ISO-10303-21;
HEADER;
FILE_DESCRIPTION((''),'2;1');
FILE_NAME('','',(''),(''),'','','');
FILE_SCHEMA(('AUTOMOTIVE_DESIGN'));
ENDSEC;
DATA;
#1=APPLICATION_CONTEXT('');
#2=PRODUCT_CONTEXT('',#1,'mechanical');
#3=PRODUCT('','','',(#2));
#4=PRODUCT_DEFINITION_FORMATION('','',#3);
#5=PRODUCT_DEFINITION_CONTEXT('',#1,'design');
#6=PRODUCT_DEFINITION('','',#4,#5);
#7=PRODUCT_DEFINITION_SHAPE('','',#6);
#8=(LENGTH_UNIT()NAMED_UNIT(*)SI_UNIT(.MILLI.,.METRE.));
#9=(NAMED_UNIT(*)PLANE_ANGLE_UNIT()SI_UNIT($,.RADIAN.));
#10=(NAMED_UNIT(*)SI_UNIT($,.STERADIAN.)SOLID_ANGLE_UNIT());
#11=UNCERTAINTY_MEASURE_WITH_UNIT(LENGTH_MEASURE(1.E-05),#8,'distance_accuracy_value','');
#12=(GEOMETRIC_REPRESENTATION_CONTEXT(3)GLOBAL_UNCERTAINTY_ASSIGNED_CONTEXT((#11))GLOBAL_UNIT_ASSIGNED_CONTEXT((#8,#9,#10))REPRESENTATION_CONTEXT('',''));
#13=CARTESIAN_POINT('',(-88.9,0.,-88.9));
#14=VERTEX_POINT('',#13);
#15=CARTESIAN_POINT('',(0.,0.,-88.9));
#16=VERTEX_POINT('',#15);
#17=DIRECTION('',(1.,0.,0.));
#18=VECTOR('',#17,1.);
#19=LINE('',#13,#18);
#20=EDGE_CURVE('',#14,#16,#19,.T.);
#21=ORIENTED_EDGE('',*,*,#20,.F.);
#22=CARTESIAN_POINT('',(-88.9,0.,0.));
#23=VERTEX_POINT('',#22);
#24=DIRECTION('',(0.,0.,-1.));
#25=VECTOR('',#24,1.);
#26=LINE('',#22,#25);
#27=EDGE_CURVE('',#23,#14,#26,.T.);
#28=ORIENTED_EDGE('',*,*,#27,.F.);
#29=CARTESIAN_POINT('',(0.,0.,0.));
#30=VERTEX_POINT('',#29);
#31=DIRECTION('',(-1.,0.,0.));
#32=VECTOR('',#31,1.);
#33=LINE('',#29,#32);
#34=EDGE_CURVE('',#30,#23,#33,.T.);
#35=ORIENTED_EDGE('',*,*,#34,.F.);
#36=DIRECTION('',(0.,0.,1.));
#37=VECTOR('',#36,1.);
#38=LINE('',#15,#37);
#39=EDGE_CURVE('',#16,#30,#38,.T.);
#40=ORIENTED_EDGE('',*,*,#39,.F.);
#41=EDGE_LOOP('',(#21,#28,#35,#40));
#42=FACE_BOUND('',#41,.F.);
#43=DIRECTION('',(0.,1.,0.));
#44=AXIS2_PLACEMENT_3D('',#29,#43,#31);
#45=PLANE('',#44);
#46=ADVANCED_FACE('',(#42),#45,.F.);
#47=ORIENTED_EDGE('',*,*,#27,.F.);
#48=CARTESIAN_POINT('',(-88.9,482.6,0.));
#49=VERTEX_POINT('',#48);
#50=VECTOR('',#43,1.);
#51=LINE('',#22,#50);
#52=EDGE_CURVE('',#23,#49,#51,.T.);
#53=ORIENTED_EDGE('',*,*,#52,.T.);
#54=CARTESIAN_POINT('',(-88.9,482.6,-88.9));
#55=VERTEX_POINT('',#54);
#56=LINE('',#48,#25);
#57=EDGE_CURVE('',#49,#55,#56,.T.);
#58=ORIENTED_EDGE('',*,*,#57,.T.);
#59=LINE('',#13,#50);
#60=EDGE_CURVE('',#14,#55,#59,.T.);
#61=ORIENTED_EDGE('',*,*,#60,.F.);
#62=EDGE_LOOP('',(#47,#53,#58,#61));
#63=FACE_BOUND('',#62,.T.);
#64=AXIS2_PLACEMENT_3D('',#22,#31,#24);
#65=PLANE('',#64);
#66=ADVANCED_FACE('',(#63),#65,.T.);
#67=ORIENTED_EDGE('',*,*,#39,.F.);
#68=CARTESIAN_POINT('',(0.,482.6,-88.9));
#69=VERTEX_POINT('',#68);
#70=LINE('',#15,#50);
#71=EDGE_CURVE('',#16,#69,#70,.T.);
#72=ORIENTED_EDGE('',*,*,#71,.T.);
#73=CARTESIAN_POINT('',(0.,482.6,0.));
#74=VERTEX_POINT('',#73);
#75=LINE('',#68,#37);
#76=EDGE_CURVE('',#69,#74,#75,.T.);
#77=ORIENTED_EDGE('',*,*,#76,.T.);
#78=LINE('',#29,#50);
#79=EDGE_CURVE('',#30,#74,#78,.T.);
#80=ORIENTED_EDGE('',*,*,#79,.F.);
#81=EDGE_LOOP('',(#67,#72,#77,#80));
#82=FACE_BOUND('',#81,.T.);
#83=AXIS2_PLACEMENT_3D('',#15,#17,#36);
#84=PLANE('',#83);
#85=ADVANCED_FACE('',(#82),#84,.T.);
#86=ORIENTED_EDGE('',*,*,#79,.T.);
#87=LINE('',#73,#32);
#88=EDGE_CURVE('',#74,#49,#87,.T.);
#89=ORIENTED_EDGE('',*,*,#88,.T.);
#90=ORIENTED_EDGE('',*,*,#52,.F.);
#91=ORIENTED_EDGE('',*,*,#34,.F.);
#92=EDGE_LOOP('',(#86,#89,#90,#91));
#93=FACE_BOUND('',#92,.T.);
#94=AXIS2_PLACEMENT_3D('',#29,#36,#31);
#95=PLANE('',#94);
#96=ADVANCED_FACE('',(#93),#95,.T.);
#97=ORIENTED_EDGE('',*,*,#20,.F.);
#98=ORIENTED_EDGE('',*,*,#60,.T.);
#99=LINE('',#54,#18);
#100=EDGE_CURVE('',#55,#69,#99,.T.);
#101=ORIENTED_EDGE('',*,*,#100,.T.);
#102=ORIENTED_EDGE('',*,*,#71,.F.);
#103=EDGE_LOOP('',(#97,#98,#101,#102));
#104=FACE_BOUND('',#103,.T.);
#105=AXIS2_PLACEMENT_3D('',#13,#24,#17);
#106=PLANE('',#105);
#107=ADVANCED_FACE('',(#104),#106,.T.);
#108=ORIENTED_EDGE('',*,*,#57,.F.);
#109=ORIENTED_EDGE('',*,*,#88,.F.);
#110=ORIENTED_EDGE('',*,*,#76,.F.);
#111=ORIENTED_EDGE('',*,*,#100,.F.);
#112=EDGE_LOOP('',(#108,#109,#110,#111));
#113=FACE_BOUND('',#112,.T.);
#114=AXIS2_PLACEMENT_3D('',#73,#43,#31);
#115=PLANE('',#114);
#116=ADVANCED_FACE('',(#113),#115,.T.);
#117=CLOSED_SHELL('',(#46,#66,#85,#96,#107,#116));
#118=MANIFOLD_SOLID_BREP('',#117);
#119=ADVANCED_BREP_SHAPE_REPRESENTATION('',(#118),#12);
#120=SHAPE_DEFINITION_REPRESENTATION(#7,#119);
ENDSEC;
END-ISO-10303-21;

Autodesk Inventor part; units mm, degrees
ref_plane "YZ Plane" through (0, 0, 0) normal (1, 0, 0) x (0, 1, 0)
ref_plane "XZ Plane" through (0, 0, 0) normal (0, 1, 0) x (-1, 0, 0)
ref_plane "XY Plane" through (0, 0, 0) normal (0, 0, 1) x (1, 0, 0)
sketch "Sketch1" plane through (0, 0, 0) normal (0, 1, 0) x (-1, 0, 0)
  line L0 (0, 0) -> (88.9, 0)
  line L1 (88.9, 0) -> (88.9, -88.9)
  line L2 (88.9, -88.9) -> (0, -88.9)
  line L3 (0, -88.9) -> (0, 0)
  dimension "d0" = 88.9
  dimension "d1" = 88.9
extrude "Extrusion1" add sketch "Sketch1" along normal blind 482.6
properties part number "4ix4ix19i"
